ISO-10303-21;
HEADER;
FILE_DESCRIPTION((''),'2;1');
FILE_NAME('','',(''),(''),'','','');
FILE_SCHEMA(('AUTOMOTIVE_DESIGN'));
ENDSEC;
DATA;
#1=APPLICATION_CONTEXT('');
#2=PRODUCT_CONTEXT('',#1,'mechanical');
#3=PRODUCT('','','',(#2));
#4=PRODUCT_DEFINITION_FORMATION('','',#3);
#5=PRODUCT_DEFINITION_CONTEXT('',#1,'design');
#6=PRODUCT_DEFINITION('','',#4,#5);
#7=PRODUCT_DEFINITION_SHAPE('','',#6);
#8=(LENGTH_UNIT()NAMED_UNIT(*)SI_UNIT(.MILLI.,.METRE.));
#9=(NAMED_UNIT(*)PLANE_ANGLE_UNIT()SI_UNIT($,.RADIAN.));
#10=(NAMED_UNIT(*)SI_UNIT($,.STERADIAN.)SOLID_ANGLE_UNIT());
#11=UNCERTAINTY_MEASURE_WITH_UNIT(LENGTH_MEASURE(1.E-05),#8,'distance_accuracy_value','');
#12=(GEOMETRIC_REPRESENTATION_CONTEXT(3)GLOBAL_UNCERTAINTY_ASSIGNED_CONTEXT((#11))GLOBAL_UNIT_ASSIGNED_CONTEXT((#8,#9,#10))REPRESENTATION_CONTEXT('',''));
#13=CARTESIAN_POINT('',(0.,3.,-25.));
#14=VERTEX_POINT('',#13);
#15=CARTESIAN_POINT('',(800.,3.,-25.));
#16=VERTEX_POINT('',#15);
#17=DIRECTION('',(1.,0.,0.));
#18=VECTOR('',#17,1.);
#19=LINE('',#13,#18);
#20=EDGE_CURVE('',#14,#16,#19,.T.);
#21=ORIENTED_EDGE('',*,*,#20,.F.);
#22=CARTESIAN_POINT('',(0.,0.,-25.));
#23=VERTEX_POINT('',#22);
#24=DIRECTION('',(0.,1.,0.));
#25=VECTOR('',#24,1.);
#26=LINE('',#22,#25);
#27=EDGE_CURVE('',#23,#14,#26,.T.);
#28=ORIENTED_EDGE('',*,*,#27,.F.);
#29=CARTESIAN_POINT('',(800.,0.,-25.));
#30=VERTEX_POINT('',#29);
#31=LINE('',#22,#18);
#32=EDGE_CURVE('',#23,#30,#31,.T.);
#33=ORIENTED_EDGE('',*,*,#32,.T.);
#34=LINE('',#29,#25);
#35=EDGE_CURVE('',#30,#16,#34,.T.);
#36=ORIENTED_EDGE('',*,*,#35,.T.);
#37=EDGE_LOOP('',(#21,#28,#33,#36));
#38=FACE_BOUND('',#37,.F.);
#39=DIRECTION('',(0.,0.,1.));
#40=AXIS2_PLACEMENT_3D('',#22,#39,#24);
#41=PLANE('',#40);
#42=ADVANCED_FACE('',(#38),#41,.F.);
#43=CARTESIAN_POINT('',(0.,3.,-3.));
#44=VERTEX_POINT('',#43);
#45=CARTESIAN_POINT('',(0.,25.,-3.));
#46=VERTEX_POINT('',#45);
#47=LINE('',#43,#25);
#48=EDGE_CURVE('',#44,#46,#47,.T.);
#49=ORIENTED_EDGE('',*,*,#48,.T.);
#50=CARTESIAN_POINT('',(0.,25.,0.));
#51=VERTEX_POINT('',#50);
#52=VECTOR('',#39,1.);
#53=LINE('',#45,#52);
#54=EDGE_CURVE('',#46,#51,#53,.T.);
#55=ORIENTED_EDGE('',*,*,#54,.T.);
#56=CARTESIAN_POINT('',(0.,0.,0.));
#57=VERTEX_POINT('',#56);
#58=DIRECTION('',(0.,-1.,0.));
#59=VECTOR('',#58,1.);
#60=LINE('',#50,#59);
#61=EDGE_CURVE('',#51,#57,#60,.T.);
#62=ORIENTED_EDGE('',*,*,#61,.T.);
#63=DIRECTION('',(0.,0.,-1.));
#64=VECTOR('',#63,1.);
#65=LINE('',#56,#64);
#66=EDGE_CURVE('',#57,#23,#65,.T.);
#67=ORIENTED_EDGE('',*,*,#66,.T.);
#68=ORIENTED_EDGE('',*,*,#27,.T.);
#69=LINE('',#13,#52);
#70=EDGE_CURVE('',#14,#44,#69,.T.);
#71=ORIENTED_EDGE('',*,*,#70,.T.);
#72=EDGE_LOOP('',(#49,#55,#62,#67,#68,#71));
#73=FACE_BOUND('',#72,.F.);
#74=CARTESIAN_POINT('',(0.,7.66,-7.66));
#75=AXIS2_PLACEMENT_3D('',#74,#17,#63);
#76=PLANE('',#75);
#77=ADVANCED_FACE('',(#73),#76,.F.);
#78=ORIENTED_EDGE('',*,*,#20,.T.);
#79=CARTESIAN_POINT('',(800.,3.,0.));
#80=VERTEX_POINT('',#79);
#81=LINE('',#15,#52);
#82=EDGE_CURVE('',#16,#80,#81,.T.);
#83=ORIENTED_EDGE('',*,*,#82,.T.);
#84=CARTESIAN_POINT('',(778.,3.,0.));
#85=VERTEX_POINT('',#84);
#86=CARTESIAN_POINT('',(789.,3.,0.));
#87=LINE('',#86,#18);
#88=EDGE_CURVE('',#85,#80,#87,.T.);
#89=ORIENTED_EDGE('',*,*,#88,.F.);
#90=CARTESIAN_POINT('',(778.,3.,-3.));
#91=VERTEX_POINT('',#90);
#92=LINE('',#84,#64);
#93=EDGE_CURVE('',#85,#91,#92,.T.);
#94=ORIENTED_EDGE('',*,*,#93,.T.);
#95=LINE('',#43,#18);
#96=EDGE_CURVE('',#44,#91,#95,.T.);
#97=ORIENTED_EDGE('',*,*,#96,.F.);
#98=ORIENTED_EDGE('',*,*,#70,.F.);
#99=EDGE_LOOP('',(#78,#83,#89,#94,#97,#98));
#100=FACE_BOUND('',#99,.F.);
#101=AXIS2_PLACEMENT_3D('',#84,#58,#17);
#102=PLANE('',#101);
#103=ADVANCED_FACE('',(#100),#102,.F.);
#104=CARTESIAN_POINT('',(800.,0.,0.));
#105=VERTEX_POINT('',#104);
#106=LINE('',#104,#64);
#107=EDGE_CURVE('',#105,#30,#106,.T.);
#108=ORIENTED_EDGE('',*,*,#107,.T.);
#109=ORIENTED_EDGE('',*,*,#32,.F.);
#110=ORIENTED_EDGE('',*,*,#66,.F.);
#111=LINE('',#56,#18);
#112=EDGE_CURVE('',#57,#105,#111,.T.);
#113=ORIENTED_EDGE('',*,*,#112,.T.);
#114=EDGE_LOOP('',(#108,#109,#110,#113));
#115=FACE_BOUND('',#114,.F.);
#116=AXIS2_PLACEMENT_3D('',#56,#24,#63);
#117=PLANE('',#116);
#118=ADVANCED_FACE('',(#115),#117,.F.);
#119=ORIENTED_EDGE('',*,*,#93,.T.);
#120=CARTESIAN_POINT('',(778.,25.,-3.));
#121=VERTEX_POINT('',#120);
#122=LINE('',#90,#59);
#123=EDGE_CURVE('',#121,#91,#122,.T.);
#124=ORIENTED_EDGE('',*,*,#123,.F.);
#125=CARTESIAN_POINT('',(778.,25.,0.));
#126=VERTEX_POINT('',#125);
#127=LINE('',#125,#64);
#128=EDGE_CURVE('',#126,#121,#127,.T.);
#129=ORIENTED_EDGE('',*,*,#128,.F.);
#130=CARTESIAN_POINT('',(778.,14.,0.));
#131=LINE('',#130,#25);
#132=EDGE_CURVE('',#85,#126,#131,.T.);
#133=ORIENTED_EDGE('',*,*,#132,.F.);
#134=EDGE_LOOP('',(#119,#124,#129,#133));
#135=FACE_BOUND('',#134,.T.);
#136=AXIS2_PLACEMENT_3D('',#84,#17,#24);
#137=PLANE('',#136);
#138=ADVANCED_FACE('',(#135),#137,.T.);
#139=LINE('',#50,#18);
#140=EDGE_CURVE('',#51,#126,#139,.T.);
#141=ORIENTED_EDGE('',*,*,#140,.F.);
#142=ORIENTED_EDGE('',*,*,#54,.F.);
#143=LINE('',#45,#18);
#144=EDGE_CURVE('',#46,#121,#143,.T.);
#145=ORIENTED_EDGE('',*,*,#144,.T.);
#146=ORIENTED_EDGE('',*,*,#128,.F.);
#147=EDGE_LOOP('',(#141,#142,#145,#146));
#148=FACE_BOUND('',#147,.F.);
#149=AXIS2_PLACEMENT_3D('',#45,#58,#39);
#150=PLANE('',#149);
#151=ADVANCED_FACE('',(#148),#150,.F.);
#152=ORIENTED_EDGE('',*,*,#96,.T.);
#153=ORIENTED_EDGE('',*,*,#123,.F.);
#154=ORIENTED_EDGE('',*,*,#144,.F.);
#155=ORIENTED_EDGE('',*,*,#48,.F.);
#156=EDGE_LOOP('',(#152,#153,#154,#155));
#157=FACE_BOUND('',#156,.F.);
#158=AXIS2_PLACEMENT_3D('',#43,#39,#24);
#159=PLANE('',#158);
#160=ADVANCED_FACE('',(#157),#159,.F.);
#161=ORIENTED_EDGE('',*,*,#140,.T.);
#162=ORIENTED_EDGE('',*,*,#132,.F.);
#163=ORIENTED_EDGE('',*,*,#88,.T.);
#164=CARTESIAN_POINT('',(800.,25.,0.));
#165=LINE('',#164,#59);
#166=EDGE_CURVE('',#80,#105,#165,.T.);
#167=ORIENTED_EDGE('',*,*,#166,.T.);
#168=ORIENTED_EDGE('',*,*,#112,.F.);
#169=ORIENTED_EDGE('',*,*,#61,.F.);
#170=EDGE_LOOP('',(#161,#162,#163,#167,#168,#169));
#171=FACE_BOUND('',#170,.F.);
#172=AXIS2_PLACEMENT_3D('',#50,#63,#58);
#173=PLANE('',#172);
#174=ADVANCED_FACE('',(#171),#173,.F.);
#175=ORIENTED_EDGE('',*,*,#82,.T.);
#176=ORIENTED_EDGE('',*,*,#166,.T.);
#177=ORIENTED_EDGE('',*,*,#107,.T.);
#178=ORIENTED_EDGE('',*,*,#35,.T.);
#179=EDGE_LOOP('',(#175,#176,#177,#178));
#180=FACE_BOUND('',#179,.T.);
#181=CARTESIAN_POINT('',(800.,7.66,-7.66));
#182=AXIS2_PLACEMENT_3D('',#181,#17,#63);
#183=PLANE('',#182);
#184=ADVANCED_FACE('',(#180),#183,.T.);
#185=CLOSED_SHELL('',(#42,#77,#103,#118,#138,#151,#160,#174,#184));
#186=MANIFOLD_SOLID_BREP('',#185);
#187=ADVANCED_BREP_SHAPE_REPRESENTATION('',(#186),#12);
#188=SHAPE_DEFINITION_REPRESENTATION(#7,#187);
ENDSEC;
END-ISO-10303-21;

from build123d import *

# Parameters (mm, degrees)
EXTRUDE_1_DEPTH     = 800
CUT_EXTRUDE_1_REACH = 27
SKETCH_2_W          = 22
SKETCH_2_H          = 22


with BuildPart() as part:
    # Эскиз1 → Вытянуть-Тонкостенный1 (new body)
    with BuildSketch(Plane(origin=(0, 0, 0), x_dir=(0, 0, -1), z_dir=(1, 0, 0))):
        Polygon((0, 25), (0, 0), (25, 0), (25, 3), (3, 3), (3, 25), align=None)
    extrude(amount=EXTRUDE_1_DEPTH)

    # Эскиз2 → Вырез-Вытянуть1 (cut, up to next)
    with BuildSketch(Plane.XY, mode=Mode.PRIVATE) as cut_extrude_1_sk1:
        with Locations((789, 14)):
            Rectangle(SKETCH_2_W, SKETCH_2_H)
    cut_extrude_1_tool1 = extrude(cut_extrude_1_sk1.sketch, amount=-CUT_EXTRUDE_1_REACH, mode=Mode.PRIVATE) & part.part
    add(cut_extrude_1_tool1.solids().sort_by_distance((789, 14, 0))[0], mode=Mode.SUBTRACT)


solid = part.part
